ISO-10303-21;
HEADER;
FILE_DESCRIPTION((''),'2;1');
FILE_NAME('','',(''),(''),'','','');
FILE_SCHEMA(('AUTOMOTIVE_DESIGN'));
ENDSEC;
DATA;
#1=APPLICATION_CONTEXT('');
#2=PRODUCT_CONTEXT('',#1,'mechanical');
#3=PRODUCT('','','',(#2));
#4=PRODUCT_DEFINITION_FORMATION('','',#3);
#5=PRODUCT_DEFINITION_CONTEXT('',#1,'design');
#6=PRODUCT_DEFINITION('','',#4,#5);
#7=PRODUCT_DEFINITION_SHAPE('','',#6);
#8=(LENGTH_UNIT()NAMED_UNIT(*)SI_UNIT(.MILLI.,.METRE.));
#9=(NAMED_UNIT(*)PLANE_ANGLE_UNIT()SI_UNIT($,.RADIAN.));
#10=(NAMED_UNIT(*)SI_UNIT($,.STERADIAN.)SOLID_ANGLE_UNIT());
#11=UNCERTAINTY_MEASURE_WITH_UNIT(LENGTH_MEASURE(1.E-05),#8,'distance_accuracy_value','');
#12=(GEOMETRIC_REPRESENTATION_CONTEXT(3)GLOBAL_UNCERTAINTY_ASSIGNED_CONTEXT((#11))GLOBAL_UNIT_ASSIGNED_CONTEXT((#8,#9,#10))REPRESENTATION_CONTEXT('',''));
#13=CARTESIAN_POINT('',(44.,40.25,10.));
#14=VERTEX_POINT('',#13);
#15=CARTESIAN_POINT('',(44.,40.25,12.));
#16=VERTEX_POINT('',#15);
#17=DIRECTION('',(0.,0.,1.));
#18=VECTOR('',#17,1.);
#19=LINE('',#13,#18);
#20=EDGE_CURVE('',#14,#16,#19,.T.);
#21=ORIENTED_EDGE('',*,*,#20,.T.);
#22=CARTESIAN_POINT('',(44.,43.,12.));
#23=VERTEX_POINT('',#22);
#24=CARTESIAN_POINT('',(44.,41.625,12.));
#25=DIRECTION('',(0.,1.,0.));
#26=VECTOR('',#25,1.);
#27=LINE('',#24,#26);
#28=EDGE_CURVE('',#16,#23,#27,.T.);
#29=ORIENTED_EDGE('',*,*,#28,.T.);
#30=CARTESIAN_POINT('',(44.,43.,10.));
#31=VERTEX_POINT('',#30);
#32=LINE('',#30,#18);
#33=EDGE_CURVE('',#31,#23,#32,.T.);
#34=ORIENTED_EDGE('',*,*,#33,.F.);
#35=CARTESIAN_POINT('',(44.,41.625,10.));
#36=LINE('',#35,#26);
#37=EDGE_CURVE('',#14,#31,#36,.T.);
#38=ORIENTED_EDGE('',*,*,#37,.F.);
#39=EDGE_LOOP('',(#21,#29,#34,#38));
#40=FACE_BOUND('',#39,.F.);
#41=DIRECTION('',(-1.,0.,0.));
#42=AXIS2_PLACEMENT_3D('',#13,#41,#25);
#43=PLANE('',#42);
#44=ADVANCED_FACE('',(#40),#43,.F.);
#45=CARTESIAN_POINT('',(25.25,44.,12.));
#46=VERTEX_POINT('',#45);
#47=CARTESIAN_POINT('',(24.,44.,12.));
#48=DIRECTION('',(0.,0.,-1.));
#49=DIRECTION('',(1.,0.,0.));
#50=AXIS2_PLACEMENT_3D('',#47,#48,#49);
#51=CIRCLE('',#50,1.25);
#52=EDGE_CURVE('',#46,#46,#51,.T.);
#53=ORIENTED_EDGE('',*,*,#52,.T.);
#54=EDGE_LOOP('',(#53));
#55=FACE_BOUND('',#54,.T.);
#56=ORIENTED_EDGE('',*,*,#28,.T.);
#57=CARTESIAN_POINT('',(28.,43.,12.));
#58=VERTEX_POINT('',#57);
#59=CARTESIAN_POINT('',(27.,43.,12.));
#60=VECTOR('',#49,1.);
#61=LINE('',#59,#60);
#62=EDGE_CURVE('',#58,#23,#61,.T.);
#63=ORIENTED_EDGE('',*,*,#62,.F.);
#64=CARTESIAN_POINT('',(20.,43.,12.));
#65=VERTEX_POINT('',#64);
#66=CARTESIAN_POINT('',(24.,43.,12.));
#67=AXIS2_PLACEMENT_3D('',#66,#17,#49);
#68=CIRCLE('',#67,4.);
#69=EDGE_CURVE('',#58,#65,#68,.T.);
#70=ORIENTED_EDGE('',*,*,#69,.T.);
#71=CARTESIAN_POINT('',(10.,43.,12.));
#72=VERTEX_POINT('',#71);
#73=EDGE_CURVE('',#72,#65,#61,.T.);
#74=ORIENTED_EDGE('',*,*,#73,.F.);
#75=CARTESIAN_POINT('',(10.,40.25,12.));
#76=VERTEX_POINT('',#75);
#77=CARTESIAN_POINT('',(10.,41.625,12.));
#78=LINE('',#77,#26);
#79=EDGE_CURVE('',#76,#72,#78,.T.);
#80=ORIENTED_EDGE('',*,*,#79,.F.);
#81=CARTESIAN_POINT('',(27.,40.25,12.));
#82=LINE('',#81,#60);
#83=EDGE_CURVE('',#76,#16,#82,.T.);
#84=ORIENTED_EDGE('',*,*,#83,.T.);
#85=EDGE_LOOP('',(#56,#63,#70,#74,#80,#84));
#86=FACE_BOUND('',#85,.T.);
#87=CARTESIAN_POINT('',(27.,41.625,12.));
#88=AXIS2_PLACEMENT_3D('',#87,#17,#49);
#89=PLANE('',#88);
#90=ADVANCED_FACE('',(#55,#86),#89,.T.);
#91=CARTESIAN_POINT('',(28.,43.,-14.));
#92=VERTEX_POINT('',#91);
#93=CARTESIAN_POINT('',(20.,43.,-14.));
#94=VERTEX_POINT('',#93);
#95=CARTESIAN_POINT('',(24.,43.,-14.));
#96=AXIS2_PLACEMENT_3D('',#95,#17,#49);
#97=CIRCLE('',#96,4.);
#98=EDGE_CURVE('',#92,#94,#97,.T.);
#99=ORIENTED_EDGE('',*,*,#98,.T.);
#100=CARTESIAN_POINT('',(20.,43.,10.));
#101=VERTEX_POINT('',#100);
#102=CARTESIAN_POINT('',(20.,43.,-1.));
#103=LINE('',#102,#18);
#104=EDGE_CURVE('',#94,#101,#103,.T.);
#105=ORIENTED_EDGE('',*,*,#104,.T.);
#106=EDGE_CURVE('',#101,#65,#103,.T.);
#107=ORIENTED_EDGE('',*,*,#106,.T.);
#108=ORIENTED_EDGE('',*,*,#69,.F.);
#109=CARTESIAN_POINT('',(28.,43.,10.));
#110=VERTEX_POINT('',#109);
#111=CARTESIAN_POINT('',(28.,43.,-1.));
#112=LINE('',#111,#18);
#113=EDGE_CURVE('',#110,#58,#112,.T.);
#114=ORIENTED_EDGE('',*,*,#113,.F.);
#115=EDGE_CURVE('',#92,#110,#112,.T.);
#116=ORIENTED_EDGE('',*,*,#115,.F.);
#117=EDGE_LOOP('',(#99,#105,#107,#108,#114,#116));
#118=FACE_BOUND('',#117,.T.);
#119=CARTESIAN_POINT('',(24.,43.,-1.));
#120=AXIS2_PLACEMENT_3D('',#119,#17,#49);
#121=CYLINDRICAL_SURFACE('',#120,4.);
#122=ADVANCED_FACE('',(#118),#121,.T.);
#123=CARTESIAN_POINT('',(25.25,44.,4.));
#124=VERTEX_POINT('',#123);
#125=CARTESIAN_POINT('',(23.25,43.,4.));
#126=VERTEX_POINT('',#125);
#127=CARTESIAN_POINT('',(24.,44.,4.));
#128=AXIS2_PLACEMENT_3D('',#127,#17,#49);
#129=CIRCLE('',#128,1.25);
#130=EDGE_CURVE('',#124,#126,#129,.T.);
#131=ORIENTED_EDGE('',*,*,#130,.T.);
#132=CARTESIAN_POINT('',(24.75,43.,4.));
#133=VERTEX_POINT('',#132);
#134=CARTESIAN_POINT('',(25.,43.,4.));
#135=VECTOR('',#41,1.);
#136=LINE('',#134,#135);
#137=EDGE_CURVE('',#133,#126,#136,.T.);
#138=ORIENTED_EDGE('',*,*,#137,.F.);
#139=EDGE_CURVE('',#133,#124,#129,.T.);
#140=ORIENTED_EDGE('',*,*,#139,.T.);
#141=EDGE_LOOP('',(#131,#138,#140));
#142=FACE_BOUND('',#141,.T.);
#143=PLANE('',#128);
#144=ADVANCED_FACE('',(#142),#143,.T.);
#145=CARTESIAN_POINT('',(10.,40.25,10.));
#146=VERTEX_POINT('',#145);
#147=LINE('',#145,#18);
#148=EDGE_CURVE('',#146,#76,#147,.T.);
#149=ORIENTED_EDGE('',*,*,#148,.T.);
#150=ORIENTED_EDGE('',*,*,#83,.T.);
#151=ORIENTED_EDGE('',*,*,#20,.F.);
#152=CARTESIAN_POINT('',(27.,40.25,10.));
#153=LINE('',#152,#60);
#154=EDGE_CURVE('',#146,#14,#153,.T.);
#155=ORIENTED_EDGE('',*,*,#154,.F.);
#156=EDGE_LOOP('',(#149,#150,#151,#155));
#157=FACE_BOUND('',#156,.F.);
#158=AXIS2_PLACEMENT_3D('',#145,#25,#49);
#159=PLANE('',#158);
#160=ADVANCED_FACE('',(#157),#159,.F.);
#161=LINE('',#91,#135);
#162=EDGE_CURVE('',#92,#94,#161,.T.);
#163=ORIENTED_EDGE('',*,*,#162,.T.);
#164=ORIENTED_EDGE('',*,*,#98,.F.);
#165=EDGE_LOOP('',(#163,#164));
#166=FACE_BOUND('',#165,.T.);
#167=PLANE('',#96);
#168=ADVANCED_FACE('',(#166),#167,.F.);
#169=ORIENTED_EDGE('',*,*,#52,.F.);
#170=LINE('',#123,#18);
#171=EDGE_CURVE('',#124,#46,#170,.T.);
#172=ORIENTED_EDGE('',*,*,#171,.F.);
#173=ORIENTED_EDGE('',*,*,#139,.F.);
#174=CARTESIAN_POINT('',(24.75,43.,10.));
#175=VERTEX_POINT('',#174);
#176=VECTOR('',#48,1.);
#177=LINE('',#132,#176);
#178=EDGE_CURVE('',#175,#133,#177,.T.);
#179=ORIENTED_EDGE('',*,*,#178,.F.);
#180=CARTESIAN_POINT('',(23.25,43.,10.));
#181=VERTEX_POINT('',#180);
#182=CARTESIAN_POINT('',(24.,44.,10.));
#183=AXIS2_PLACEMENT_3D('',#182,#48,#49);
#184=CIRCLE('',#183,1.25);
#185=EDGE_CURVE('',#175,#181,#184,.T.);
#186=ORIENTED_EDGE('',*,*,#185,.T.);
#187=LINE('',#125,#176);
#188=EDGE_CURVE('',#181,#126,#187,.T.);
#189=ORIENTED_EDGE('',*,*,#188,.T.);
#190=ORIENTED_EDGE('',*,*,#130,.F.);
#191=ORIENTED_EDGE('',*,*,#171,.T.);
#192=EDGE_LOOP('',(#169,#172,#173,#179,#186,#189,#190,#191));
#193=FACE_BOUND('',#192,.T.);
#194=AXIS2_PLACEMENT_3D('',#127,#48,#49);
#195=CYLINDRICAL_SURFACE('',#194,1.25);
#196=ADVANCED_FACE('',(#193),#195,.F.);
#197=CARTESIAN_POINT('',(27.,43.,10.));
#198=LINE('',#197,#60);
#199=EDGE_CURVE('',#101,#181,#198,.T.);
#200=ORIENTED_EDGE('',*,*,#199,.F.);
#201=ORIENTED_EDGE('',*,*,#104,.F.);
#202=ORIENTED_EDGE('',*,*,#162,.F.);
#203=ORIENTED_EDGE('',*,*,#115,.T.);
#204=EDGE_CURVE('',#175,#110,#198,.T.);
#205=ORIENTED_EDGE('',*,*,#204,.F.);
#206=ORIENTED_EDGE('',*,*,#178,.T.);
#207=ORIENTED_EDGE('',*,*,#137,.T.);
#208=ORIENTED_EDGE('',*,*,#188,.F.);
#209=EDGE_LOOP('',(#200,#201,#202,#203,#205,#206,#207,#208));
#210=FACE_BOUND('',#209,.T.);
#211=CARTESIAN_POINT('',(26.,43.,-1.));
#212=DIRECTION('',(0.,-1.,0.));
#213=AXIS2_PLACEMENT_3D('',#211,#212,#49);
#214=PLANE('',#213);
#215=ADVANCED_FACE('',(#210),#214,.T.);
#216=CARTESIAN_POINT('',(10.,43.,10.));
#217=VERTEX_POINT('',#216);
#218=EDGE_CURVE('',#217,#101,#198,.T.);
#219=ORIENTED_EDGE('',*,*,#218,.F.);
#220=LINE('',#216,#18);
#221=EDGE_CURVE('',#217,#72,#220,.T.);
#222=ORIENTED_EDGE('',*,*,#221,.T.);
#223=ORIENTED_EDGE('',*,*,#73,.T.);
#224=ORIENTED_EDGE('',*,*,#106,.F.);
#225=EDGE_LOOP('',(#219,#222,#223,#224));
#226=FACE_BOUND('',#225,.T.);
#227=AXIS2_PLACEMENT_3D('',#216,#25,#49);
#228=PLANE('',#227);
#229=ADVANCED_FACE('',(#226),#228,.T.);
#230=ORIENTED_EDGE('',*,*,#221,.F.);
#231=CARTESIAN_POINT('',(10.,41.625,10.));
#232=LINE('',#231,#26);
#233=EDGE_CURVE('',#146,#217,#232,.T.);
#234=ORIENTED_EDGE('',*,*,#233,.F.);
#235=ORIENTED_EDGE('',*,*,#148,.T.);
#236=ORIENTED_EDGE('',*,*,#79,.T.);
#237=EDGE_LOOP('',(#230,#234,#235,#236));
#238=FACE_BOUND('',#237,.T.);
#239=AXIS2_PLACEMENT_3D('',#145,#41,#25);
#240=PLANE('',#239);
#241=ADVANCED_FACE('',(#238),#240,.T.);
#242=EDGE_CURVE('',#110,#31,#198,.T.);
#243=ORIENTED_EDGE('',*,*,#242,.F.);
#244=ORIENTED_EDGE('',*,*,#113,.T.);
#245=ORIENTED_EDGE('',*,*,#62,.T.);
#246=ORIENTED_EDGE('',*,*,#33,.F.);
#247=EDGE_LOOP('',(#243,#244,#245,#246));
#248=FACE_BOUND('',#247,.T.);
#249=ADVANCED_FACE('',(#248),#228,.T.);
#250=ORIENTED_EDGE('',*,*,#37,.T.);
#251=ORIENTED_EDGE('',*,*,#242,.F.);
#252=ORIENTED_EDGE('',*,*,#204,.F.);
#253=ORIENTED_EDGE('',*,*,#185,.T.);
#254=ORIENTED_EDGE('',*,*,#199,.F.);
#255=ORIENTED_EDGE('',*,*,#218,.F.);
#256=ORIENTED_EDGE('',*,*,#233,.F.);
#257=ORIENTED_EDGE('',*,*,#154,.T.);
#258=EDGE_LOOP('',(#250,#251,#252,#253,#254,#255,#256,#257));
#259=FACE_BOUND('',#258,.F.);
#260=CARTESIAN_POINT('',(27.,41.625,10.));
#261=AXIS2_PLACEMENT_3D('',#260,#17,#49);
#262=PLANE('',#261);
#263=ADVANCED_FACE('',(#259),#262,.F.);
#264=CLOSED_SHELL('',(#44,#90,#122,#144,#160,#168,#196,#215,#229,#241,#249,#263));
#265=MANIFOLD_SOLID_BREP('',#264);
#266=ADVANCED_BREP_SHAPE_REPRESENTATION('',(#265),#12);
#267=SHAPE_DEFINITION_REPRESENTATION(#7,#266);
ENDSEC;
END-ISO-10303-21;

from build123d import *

# Parameters (mm, degrees)
CYLINDER028_R     = 1.25
CYLINDER028_DEPTH = 10
BOX030_W          = 34
BOX030_H          = 2.75
BOX030_DEPTH      = 2
CYLINDER025_W     = 4
CYLINDER025_H     = 26
CYLINDER025_ANGLE = 180


with BuildPart() as b_no002:
    # Cylinder028 → Cylinder028 (new body)
    with BuildSketch(Plane(origin=(11, 29, 4), x_dir=(1, 0, 0), z_dir=(0, 0, 1))):
        Circle(CYLINDER028_R)
    extrude(amount=CYLINDER028_DEPTH)


with BuildPart() as n016:
    # Box030 → Box030 (new body)
    with BuildSketch(Plane(origin=(-3, 25.25, 10), x_dir=(1, 0, 0), z_dir=(0, 0, 1))):
        with Locations((17, 1.375)):
            Rectangle(BOX030_W, BOX030_H)
    extrude(amount=BOX030_DEPTH)


with BuildPart() as cut011_nnw:
    # Cylinder025 → Cylinder025 (revolve)
    with BuildSketch(Plane(origin=(11, 28, -14), x_dir=(1, 0, 0), z_dir=(0, -1, 0))):
        with Locations((2, 13)):
            Rectangle(CYLINDER025_W, CYLINDER025_H)
    revolve(axis=Axis((11, 28, -14), (0, 0, 1)), revolution_arc=CYLINDER025_ANGLE)

    # Fusion005: union N016
    add(n016.part)

    # Cut011: cut B_NO002
    add(b_no002.part, mode=Mode.SUBTRACT)


with BuildPart() as cut011_nnw_1:
    # Cut011 placement: moved
    add(cut011_nnw.part.moved(Location((13, 15, 0))))


solid = cut011_nnw_1.part
